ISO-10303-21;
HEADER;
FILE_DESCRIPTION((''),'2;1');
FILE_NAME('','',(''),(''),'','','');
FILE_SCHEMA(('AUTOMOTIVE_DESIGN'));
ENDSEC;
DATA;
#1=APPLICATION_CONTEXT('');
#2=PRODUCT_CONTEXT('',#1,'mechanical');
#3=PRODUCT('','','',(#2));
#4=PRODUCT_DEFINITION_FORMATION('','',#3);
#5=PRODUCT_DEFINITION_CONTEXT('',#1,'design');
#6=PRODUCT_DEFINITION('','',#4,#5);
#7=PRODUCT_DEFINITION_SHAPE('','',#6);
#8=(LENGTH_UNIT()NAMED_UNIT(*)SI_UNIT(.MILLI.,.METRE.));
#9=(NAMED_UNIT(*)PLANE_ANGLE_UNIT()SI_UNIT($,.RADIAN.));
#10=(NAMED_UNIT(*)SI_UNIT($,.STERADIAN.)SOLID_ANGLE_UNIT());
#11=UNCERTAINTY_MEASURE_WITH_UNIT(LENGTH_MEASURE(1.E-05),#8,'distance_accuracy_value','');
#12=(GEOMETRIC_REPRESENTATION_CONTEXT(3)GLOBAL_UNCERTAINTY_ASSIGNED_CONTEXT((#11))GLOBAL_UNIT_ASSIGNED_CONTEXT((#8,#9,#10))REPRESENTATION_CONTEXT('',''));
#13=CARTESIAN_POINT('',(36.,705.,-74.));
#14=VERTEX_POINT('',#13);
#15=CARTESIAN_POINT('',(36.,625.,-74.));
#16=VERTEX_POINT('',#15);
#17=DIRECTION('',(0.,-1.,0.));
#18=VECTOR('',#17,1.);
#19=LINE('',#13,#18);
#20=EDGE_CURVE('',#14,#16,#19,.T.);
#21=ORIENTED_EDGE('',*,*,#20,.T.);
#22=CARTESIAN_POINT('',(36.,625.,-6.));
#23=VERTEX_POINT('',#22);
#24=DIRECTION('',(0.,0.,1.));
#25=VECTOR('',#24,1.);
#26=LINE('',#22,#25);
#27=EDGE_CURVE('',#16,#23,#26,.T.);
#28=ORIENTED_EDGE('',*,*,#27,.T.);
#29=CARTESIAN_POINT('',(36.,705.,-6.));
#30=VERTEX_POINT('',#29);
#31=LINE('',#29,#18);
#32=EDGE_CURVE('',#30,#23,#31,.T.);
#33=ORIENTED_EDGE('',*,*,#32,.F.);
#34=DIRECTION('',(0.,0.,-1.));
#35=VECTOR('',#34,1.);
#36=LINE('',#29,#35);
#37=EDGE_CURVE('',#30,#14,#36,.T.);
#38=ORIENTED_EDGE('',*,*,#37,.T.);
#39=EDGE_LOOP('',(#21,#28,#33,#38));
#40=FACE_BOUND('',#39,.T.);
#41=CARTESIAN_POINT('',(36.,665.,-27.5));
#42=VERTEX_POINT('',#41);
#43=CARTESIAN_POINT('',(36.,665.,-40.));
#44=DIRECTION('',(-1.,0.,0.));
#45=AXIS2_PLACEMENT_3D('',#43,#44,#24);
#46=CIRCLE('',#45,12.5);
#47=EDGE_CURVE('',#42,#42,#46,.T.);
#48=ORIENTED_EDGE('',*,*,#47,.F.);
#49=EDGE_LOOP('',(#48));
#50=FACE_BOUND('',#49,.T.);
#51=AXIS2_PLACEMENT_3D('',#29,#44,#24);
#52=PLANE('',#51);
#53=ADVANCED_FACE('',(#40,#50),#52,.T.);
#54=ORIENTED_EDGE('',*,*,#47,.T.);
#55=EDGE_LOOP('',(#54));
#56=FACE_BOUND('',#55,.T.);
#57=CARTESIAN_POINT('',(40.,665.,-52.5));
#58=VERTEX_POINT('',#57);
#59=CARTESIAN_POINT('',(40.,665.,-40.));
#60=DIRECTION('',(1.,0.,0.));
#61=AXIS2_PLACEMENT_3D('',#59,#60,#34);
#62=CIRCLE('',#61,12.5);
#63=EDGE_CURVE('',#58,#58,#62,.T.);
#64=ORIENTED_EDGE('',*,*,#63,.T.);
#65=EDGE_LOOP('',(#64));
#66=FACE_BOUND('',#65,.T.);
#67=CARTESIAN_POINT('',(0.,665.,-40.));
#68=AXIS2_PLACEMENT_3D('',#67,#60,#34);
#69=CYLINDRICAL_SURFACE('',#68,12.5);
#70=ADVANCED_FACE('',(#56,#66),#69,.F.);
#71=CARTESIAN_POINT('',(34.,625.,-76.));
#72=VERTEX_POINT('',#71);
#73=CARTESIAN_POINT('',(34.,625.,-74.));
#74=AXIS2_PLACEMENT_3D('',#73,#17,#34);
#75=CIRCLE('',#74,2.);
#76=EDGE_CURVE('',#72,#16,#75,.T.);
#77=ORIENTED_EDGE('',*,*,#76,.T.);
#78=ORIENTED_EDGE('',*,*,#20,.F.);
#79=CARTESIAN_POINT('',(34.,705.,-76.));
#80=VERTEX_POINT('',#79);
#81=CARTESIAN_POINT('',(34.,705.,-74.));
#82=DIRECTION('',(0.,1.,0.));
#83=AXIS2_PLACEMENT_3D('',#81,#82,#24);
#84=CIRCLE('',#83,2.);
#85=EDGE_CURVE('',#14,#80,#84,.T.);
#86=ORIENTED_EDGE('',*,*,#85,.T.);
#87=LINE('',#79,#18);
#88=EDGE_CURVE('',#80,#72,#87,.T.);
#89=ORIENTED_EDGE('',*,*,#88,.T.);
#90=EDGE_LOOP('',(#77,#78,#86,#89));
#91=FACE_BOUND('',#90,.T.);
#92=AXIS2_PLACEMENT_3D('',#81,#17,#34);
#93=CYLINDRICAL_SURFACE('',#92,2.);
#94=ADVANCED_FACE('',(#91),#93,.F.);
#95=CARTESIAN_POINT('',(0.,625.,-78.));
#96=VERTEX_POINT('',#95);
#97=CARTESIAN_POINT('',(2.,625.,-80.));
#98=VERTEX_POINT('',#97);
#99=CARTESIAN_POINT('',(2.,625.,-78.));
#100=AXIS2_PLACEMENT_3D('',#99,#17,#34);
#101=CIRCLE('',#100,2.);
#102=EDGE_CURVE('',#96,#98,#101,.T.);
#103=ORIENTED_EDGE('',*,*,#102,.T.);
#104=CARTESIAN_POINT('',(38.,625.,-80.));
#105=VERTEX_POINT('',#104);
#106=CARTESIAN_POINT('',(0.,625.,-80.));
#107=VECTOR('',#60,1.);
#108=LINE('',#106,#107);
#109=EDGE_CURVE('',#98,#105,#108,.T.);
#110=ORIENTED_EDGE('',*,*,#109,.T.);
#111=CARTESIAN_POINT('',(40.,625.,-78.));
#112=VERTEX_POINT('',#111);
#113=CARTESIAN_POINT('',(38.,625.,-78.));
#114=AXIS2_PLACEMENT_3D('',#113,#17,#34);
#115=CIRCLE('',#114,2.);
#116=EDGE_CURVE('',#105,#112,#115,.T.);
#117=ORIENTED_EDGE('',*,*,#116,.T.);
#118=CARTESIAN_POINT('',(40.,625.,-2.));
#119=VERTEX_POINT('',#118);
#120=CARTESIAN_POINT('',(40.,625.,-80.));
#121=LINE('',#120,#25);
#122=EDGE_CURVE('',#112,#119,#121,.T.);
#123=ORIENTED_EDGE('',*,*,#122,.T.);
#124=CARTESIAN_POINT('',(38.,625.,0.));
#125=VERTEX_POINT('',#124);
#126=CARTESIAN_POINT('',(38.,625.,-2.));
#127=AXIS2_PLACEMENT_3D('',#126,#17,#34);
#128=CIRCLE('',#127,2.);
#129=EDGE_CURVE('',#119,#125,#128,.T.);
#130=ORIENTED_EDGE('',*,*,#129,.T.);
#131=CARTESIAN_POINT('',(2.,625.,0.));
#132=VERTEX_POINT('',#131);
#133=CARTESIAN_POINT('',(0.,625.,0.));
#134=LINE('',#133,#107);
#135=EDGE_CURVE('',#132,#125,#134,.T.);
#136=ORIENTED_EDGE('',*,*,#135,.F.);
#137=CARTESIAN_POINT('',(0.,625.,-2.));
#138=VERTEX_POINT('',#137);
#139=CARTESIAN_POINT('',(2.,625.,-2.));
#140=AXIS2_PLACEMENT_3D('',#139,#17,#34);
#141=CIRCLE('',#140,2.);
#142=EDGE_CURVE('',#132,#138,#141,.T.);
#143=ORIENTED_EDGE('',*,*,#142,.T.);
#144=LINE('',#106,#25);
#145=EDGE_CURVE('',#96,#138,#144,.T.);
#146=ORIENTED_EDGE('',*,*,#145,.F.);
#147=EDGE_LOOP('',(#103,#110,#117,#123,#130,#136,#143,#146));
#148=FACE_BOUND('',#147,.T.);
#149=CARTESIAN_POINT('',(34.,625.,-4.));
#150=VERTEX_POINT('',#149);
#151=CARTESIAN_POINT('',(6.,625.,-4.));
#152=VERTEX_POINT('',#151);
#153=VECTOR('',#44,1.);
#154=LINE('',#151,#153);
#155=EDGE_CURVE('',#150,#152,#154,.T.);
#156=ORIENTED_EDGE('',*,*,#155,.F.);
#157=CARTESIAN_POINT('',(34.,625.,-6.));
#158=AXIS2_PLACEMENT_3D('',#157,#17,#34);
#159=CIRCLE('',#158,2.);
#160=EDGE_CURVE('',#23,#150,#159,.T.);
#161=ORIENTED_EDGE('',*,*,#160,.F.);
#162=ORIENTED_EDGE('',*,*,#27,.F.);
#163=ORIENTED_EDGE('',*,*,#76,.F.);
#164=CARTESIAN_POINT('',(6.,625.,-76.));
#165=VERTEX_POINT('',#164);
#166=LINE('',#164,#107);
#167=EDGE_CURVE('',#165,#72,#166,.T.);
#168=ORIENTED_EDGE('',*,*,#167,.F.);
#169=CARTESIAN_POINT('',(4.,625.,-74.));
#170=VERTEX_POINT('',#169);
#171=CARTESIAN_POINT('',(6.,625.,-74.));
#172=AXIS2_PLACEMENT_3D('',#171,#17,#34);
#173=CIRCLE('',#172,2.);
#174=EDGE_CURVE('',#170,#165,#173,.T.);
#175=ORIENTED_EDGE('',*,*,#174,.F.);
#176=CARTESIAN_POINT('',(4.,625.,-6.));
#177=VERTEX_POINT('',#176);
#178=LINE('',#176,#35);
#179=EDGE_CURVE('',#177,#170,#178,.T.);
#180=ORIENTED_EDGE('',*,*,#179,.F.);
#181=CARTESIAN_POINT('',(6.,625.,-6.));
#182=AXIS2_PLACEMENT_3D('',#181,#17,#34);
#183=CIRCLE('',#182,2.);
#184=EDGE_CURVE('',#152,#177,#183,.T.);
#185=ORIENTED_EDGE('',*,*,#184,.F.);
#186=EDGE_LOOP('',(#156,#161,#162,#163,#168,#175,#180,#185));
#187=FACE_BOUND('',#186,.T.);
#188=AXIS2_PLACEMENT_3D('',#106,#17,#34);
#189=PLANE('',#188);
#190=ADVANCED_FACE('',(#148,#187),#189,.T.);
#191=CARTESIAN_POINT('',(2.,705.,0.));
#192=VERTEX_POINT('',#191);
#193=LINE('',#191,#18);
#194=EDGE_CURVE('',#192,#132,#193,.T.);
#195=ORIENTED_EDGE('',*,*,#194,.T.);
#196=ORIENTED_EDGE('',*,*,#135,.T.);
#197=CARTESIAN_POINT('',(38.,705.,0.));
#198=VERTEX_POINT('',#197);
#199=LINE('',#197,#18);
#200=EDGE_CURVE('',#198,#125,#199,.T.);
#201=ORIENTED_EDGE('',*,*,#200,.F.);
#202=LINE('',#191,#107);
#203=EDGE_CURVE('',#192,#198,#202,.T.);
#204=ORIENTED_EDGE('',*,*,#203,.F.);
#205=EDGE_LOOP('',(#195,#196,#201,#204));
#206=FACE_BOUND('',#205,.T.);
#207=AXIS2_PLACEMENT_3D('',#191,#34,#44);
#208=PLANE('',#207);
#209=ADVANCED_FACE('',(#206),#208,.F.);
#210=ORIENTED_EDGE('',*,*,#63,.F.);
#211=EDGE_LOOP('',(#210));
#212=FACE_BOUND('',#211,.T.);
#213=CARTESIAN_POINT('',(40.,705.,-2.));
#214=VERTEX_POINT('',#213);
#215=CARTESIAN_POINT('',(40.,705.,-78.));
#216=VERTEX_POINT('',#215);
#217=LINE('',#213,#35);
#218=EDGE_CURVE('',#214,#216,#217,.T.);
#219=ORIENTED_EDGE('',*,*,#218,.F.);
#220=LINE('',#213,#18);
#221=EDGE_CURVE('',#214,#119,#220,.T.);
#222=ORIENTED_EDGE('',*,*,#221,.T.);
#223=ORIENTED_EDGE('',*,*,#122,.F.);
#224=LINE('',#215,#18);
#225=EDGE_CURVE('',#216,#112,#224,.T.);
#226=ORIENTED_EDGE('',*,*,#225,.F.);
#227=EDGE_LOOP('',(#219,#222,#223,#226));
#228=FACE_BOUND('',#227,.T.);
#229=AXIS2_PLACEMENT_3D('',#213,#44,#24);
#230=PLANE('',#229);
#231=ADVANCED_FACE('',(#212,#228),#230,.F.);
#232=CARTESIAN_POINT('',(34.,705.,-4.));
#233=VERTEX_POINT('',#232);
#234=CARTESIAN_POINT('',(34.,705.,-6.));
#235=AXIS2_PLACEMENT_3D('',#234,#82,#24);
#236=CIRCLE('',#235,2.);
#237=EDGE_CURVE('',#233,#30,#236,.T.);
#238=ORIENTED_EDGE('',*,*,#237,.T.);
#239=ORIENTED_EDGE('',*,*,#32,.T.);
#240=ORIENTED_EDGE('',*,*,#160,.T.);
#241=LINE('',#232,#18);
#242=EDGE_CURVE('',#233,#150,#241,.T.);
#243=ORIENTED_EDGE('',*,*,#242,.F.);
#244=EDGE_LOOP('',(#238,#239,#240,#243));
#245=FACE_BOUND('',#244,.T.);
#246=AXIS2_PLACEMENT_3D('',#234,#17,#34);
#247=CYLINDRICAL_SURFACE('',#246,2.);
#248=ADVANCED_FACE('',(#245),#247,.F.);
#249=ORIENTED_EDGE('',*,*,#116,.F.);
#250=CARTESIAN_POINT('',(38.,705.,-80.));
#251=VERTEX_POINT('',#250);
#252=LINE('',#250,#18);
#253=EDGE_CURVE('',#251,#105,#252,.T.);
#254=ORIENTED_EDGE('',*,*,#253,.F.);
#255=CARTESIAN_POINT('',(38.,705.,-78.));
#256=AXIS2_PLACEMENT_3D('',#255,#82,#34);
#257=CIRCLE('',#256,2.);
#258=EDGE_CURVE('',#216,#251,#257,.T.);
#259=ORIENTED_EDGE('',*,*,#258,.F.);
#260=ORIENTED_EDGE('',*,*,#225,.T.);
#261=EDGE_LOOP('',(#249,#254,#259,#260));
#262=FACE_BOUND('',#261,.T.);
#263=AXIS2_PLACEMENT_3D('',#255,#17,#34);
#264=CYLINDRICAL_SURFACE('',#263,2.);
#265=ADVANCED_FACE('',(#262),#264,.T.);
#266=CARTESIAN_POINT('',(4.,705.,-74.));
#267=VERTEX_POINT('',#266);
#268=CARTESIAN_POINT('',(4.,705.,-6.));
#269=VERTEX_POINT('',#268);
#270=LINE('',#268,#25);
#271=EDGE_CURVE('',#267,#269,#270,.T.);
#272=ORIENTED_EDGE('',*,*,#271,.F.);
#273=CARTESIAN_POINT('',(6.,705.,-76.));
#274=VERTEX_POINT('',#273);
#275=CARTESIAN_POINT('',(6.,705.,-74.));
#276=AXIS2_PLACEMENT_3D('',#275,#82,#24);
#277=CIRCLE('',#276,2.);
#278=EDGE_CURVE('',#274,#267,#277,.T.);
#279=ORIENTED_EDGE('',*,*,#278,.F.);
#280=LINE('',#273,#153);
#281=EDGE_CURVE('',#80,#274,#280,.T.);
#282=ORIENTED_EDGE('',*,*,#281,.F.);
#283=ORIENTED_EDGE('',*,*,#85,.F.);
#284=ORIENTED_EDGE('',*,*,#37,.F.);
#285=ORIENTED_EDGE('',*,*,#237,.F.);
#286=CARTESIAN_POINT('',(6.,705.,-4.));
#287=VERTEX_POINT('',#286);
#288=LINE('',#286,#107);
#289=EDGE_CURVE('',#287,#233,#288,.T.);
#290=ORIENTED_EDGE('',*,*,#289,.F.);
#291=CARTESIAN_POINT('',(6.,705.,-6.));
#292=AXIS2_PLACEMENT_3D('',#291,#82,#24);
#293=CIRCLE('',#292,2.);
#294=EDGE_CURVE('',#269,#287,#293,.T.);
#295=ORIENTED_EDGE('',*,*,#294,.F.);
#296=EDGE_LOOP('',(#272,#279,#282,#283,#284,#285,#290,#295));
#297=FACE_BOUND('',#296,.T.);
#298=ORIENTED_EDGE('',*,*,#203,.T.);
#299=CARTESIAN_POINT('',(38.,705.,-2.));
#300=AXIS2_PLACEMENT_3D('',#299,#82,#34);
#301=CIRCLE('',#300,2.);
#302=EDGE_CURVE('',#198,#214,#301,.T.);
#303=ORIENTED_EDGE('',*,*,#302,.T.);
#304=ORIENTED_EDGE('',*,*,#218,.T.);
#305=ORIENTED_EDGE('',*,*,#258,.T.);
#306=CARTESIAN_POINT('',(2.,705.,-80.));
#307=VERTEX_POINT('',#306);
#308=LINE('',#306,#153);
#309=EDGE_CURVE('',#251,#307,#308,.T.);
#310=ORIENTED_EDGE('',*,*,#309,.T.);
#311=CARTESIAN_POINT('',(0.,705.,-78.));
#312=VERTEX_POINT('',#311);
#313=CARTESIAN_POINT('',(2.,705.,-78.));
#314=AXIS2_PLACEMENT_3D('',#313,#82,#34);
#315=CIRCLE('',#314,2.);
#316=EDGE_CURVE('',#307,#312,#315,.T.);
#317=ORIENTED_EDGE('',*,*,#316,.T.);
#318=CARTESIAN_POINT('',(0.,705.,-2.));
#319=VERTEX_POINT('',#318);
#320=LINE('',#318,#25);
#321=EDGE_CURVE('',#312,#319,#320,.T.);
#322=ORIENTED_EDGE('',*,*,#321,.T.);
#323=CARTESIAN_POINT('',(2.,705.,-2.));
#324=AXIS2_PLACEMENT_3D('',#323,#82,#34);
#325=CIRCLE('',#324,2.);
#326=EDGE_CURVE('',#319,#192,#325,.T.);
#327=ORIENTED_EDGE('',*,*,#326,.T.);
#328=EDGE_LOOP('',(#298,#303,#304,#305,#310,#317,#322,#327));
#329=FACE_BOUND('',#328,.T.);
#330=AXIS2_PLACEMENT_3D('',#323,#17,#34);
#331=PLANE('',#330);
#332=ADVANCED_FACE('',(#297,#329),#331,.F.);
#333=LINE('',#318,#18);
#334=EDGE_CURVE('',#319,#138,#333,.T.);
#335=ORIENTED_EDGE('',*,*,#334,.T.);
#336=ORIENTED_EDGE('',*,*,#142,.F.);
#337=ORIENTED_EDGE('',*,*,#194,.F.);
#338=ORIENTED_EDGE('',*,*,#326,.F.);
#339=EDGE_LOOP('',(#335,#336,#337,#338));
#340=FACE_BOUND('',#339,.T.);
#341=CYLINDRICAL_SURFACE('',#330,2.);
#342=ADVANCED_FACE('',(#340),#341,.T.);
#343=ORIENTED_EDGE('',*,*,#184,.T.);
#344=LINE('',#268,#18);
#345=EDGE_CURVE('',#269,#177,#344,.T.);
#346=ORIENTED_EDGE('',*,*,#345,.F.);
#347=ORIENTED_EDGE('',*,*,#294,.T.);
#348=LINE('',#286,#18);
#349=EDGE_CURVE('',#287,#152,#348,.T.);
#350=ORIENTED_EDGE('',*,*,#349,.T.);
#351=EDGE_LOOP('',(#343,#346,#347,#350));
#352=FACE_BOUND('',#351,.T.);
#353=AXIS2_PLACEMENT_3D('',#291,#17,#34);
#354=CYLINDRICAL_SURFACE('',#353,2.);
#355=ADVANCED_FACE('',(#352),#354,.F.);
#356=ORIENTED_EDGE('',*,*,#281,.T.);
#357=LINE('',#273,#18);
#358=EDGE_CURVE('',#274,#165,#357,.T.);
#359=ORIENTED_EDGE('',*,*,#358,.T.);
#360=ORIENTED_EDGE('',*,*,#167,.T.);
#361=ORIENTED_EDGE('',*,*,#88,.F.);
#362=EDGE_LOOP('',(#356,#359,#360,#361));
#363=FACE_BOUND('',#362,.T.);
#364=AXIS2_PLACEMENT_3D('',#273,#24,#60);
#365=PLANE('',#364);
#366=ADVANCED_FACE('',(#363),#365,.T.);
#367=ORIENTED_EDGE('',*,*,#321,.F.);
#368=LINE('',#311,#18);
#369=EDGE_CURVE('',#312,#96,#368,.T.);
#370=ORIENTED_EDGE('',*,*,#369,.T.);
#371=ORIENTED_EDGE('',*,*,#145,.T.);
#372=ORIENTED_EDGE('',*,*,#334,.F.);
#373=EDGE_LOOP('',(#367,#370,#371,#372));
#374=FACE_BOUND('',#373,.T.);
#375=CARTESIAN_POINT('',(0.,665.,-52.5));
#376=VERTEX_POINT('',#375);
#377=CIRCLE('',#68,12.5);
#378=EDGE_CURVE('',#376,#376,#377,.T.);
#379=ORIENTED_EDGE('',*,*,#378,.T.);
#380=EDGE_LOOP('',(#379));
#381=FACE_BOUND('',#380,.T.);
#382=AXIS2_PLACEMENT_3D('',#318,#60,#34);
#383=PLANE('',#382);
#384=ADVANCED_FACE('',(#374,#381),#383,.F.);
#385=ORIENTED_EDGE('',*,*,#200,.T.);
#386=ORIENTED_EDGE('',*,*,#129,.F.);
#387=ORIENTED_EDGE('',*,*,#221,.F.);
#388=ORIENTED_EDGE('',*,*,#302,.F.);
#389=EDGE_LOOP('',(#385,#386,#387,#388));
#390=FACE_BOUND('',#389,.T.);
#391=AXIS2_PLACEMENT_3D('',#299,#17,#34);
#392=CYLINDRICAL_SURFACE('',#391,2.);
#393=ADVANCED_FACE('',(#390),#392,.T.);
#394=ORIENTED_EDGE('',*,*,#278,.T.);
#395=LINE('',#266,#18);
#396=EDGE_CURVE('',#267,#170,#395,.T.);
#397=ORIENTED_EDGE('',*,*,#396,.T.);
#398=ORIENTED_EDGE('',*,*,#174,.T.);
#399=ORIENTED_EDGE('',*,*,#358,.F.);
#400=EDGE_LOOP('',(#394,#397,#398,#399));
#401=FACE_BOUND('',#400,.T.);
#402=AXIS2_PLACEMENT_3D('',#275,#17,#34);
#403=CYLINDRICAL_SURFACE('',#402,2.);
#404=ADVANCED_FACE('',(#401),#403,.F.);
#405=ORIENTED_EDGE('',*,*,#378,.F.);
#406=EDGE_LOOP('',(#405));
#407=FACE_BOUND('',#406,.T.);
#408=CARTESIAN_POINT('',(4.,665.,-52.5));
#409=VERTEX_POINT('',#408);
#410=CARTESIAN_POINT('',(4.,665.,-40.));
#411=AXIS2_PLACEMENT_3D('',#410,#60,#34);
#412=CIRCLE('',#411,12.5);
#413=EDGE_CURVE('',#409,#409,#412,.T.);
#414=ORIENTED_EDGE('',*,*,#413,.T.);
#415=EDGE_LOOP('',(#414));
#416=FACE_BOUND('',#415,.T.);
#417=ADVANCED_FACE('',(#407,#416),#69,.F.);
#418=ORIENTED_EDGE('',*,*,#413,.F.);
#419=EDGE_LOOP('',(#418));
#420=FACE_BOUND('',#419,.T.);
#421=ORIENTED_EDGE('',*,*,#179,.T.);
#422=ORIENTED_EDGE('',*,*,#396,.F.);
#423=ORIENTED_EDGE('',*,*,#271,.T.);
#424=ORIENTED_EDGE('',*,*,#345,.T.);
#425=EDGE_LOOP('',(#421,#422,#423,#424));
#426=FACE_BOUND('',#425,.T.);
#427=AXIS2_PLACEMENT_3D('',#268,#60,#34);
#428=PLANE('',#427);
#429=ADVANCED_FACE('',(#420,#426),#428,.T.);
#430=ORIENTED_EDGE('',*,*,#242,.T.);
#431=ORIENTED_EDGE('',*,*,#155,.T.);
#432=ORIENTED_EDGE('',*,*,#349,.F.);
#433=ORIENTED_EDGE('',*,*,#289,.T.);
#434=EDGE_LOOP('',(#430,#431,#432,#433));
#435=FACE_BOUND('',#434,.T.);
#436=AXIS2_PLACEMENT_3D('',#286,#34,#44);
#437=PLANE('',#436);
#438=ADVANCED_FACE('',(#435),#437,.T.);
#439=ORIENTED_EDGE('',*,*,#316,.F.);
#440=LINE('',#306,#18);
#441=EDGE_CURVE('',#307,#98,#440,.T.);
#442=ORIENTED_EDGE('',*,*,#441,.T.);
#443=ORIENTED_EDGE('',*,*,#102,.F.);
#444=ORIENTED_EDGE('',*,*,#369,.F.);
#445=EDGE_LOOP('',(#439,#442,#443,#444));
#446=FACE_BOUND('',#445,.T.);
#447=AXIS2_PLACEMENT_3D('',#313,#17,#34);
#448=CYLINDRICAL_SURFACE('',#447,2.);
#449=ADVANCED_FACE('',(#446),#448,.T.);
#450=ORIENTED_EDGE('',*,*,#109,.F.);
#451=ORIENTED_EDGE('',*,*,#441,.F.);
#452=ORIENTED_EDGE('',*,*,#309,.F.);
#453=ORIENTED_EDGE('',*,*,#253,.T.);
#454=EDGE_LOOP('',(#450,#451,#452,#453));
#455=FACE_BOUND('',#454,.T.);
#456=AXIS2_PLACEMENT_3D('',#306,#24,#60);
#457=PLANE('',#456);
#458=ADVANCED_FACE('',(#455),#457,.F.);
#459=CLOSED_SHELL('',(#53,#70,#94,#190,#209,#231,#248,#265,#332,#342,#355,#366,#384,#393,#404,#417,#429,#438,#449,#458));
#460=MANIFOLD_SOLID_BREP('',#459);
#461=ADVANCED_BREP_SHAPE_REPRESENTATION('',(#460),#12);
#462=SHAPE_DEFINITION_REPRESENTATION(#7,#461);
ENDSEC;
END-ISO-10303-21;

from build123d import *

# Parameters (mm, degrees)
BOSS_EXTRU_1_DEPTH      = 705
ESQUISSE3_R             = 10.125
ESQUISSE3_R_2           = 12.5
ENL_V_MAT_EXTRU_1_DEPTH = 711.651109899
ESQUISSE4_W             = 618.270478043
ESQUISSE4_H             = 899.840554594
ESQUISSE4_W_2           = 40
ESQUISSE4_H_2           = 80
ENL_V_MAT_EXTRU_2_DEPTH = 711.651109899


with BuildPart() as part:
    # Esquisse2 → Boss.-Extru.1 (new body)
    with BuildSketch(Plane(origin=(0, 0, 0), x_dir=(1, 0, 0), z_dir=(0, 1, 0))):
        with BuildLine():
            Line((2, 0), (38, 0))
            ThreePointArc((38, 0), (39.414213562, 0.585786438), (40, 2))
            Line((40, 2), (40, 78))
            ThreePointArc((40, 78), (39.414213562, 79.414213562), (38, 80))
            Line((38, 80), (2, 80))
            ThreePointArc((2, 80), (0.585786438, 79.414213562), (0, 78))
            Line((0, 78), (0, 2))
            ThreePointArc((0, 2), (0.585786438, 0.585786438), (2, 0))
        make_face()
        with BuildLine():
            Line((6, 4), (34, 4))
            ThreePointArc((34, 4), (35.414213562, 4.585786438), (36, 6))
            Line((36, 6), (36, 74))
            ThreePointArc((36, 74), (35.414213562, 75.414213562), (34, 76))
            Line((34, 76), (6, 76))
            ThreePointArc((6, 76), (4.585786438, 75.414213562), (4, 74))
            Line((4, 74), (4, 6))
            ThreePointArc((4, 6), (4.585786438, 4.585786438), (6, 4))
        make_face(mode=Mode.SUBTRACT)
    extrude(amount=BOSS_EXTRU_1_DEPTH)

    # Esquisse3 → Enlèv. mat.-Extru.1 (cut, through all)
    with BuildSketch(Plane(origin=(40, 0, 0), x_dir=(0, 0, -1), z_dir=(1, 0, 0))):
        with Locations((40, 90)):
            Circle(ESQUISSE3_R)
        with Locations((40, 665)):
            Circle(ESQUISSE3_R_2)
    extrude(amount=-ENL_V_MAT_EXTRU_1_DEPTH, mode=Mode.SUBTRACT)

    # Esquisse4 → Enlèv. mat.-Extru.2 (cut, through all)
    with BuildSketch(Plane.XY):
        with Locations((15.340579257, 415.457209906)):
            Rectangle(ESQUISSE4_W, ESQUISSE4_H)
        with Locations((20, 665)):
            Rectangle(ESQUISSE4_W_2, ESQUISSE4_H_2, mode=Mode.SUBTRACT)
    extrude(amount=-ENL_V_MAT_EXTRU_2_DEPTH, mode=Mode.SUBTRACT)


solid = part.part
